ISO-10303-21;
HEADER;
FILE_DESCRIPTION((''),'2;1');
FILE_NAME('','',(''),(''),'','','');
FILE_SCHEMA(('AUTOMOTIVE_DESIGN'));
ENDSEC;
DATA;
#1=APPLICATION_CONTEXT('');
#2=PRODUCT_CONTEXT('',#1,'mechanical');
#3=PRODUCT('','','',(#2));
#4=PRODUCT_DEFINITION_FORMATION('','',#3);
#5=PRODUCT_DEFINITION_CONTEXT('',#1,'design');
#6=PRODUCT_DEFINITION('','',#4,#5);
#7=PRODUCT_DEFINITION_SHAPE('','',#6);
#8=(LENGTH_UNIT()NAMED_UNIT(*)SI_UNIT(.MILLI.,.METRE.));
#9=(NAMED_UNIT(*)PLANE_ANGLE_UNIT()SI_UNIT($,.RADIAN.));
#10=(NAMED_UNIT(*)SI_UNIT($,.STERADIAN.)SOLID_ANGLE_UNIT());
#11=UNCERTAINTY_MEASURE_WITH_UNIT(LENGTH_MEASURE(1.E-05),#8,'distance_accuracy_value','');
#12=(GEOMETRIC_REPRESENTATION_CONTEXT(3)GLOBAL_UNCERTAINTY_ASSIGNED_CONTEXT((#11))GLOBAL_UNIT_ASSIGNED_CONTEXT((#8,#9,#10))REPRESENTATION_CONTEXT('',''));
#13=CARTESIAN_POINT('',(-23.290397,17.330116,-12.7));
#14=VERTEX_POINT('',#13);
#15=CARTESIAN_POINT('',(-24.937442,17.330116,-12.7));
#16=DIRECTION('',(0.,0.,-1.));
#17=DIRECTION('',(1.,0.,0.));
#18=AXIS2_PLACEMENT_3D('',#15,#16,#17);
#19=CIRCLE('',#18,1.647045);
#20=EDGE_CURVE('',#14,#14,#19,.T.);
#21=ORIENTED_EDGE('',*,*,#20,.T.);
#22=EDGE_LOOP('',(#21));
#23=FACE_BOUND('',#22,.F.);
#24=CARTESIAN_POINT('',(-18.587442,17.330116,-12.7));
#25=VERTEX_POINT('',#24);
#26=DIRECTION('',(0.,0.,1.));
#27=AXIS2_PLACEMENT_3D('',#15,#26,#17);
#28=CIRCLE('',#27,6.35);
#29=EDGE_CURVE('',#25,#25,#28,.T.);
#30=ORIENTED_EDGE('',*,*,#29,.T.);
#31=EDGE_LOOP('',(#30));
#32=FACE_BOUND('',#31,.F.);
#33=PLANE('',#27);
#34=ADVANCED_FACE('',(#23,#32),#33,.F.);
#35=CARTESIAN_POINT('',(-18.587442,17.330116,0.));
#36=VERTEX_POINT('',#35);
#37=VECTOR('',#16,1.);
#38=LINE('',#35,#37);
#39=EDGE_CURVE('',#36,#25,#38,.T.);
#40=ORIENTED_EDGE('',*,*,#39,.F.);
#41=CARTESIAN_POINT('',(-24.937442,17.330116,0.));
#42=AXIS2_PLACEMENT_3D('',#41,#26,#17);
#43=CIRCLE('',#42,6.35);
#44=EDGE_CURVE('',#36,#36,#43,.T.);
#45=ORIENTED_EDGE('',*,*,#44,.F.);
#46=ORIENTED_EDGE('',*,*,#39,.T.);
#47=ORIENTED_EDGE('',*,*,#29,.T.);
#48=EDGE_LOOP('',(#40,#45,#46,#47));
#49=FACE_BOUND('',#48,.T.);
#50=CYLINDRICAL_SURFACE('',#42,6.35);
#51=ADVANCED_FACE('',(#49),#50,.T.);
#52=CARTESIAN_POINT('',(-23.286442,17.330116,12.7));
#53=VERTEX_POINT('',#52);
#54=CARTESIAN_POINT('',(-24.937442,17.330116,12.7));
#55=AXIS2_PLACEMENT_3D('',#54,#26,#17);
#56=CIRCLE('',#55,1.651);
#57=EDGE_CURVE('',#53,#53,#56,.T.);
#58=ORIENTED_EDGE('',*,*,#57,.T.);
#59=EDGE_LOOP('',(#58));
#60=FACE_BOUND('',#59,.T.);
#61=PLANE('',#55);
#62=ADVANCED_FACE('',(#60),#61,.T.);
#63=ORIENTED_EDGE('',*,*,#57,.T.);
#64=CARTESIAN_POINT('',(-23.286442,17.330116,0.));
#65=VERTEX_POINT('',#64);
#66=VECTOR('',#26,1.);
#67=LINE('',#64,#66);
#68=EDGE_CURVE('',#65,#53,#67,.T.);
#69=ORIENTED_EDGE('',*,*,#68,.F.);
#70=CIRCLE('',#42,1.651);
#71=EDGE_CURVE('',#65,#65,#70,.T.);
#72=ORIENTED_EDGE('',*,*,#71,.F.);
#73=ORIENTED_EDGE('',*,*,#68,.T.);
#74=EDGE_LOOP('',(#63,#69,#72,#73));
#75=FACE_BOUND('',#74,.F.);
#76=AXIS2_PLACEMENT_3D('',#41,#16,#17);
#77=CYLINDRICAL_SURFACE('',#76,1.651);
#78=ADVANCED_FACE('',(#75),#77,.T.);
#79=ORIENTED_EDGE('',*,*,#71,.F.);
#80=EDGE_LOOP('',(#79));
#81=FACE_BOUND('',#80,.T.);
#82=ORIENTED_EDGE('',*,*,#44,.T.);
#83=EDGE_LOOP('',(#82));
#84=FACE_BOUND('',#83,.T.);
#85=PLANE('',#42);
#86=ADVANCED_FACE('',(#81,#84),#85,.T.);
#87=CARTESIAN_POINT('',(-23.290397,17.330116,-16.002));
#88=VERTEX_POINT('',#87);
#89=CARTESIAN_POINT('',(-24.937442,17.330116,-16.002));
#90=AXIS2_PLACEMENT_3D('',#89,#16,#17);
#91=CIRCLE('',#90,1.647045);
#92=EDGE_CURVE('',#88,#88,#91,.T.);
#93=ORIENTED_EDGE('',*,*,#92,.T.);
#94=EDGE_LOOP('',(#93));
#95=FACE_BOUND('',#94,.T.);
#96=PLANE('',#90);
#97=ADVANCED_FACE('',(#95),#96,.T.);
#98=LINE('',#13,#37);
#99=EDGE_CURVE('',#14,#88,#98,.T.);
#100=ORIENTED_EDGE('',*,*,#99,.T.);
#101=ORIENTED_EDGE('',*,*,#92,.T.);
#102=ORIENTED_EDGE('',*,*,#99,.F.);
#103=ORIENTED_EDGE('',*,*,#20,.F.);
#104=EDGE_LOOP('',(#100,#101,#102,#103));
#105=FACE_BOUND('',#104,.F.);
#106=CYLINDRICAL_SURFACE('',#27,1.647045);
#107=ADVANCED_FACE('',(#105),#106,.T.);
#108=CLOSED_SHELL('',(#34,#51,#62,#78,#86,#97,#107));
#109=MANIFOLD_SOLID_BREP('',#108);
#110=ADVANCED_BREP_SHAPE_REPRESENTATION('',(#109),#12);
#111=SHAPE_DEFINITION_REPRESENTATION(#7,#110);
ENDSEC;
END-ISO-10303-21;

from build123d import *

# Parameters (mm, degrees)
F0_R     = 6.35
F1_DEPTH = 12.7
F2_R     = 1.651
F3_DEPTH = 12.7
F4_R     = 1.647045
F5_DEPTH = 3.302


with BuildPart() as f1:
    # F0 (on Top) → F1 (new body)
    with BuildSketch(Plane.XY):
        with Locations((-24.937442, 17.330116)):
            Circle(F0_R)
    extrude(amount=-F1_DEPTH)

    # F2 (on Top) → F3 (join)
    with BuildSketch(Plane.XY):
        with Locations((-24.937442, 17.330116)):
            Circle(F2_R)
    extrude(amount=F3_DEPTH)

    # F4 (on face) → F5 (join)
    with BuildSketch(Plane(origin=(0, 0, -12.7), x_dir=(1, 0, 0), z_dir=(0, 0, -1))):
        with Locations((-24.937442, -17.330116)):
            Circle(F4_R)
    extrude(amount=F5_DEPTH)


solid = f1.part
